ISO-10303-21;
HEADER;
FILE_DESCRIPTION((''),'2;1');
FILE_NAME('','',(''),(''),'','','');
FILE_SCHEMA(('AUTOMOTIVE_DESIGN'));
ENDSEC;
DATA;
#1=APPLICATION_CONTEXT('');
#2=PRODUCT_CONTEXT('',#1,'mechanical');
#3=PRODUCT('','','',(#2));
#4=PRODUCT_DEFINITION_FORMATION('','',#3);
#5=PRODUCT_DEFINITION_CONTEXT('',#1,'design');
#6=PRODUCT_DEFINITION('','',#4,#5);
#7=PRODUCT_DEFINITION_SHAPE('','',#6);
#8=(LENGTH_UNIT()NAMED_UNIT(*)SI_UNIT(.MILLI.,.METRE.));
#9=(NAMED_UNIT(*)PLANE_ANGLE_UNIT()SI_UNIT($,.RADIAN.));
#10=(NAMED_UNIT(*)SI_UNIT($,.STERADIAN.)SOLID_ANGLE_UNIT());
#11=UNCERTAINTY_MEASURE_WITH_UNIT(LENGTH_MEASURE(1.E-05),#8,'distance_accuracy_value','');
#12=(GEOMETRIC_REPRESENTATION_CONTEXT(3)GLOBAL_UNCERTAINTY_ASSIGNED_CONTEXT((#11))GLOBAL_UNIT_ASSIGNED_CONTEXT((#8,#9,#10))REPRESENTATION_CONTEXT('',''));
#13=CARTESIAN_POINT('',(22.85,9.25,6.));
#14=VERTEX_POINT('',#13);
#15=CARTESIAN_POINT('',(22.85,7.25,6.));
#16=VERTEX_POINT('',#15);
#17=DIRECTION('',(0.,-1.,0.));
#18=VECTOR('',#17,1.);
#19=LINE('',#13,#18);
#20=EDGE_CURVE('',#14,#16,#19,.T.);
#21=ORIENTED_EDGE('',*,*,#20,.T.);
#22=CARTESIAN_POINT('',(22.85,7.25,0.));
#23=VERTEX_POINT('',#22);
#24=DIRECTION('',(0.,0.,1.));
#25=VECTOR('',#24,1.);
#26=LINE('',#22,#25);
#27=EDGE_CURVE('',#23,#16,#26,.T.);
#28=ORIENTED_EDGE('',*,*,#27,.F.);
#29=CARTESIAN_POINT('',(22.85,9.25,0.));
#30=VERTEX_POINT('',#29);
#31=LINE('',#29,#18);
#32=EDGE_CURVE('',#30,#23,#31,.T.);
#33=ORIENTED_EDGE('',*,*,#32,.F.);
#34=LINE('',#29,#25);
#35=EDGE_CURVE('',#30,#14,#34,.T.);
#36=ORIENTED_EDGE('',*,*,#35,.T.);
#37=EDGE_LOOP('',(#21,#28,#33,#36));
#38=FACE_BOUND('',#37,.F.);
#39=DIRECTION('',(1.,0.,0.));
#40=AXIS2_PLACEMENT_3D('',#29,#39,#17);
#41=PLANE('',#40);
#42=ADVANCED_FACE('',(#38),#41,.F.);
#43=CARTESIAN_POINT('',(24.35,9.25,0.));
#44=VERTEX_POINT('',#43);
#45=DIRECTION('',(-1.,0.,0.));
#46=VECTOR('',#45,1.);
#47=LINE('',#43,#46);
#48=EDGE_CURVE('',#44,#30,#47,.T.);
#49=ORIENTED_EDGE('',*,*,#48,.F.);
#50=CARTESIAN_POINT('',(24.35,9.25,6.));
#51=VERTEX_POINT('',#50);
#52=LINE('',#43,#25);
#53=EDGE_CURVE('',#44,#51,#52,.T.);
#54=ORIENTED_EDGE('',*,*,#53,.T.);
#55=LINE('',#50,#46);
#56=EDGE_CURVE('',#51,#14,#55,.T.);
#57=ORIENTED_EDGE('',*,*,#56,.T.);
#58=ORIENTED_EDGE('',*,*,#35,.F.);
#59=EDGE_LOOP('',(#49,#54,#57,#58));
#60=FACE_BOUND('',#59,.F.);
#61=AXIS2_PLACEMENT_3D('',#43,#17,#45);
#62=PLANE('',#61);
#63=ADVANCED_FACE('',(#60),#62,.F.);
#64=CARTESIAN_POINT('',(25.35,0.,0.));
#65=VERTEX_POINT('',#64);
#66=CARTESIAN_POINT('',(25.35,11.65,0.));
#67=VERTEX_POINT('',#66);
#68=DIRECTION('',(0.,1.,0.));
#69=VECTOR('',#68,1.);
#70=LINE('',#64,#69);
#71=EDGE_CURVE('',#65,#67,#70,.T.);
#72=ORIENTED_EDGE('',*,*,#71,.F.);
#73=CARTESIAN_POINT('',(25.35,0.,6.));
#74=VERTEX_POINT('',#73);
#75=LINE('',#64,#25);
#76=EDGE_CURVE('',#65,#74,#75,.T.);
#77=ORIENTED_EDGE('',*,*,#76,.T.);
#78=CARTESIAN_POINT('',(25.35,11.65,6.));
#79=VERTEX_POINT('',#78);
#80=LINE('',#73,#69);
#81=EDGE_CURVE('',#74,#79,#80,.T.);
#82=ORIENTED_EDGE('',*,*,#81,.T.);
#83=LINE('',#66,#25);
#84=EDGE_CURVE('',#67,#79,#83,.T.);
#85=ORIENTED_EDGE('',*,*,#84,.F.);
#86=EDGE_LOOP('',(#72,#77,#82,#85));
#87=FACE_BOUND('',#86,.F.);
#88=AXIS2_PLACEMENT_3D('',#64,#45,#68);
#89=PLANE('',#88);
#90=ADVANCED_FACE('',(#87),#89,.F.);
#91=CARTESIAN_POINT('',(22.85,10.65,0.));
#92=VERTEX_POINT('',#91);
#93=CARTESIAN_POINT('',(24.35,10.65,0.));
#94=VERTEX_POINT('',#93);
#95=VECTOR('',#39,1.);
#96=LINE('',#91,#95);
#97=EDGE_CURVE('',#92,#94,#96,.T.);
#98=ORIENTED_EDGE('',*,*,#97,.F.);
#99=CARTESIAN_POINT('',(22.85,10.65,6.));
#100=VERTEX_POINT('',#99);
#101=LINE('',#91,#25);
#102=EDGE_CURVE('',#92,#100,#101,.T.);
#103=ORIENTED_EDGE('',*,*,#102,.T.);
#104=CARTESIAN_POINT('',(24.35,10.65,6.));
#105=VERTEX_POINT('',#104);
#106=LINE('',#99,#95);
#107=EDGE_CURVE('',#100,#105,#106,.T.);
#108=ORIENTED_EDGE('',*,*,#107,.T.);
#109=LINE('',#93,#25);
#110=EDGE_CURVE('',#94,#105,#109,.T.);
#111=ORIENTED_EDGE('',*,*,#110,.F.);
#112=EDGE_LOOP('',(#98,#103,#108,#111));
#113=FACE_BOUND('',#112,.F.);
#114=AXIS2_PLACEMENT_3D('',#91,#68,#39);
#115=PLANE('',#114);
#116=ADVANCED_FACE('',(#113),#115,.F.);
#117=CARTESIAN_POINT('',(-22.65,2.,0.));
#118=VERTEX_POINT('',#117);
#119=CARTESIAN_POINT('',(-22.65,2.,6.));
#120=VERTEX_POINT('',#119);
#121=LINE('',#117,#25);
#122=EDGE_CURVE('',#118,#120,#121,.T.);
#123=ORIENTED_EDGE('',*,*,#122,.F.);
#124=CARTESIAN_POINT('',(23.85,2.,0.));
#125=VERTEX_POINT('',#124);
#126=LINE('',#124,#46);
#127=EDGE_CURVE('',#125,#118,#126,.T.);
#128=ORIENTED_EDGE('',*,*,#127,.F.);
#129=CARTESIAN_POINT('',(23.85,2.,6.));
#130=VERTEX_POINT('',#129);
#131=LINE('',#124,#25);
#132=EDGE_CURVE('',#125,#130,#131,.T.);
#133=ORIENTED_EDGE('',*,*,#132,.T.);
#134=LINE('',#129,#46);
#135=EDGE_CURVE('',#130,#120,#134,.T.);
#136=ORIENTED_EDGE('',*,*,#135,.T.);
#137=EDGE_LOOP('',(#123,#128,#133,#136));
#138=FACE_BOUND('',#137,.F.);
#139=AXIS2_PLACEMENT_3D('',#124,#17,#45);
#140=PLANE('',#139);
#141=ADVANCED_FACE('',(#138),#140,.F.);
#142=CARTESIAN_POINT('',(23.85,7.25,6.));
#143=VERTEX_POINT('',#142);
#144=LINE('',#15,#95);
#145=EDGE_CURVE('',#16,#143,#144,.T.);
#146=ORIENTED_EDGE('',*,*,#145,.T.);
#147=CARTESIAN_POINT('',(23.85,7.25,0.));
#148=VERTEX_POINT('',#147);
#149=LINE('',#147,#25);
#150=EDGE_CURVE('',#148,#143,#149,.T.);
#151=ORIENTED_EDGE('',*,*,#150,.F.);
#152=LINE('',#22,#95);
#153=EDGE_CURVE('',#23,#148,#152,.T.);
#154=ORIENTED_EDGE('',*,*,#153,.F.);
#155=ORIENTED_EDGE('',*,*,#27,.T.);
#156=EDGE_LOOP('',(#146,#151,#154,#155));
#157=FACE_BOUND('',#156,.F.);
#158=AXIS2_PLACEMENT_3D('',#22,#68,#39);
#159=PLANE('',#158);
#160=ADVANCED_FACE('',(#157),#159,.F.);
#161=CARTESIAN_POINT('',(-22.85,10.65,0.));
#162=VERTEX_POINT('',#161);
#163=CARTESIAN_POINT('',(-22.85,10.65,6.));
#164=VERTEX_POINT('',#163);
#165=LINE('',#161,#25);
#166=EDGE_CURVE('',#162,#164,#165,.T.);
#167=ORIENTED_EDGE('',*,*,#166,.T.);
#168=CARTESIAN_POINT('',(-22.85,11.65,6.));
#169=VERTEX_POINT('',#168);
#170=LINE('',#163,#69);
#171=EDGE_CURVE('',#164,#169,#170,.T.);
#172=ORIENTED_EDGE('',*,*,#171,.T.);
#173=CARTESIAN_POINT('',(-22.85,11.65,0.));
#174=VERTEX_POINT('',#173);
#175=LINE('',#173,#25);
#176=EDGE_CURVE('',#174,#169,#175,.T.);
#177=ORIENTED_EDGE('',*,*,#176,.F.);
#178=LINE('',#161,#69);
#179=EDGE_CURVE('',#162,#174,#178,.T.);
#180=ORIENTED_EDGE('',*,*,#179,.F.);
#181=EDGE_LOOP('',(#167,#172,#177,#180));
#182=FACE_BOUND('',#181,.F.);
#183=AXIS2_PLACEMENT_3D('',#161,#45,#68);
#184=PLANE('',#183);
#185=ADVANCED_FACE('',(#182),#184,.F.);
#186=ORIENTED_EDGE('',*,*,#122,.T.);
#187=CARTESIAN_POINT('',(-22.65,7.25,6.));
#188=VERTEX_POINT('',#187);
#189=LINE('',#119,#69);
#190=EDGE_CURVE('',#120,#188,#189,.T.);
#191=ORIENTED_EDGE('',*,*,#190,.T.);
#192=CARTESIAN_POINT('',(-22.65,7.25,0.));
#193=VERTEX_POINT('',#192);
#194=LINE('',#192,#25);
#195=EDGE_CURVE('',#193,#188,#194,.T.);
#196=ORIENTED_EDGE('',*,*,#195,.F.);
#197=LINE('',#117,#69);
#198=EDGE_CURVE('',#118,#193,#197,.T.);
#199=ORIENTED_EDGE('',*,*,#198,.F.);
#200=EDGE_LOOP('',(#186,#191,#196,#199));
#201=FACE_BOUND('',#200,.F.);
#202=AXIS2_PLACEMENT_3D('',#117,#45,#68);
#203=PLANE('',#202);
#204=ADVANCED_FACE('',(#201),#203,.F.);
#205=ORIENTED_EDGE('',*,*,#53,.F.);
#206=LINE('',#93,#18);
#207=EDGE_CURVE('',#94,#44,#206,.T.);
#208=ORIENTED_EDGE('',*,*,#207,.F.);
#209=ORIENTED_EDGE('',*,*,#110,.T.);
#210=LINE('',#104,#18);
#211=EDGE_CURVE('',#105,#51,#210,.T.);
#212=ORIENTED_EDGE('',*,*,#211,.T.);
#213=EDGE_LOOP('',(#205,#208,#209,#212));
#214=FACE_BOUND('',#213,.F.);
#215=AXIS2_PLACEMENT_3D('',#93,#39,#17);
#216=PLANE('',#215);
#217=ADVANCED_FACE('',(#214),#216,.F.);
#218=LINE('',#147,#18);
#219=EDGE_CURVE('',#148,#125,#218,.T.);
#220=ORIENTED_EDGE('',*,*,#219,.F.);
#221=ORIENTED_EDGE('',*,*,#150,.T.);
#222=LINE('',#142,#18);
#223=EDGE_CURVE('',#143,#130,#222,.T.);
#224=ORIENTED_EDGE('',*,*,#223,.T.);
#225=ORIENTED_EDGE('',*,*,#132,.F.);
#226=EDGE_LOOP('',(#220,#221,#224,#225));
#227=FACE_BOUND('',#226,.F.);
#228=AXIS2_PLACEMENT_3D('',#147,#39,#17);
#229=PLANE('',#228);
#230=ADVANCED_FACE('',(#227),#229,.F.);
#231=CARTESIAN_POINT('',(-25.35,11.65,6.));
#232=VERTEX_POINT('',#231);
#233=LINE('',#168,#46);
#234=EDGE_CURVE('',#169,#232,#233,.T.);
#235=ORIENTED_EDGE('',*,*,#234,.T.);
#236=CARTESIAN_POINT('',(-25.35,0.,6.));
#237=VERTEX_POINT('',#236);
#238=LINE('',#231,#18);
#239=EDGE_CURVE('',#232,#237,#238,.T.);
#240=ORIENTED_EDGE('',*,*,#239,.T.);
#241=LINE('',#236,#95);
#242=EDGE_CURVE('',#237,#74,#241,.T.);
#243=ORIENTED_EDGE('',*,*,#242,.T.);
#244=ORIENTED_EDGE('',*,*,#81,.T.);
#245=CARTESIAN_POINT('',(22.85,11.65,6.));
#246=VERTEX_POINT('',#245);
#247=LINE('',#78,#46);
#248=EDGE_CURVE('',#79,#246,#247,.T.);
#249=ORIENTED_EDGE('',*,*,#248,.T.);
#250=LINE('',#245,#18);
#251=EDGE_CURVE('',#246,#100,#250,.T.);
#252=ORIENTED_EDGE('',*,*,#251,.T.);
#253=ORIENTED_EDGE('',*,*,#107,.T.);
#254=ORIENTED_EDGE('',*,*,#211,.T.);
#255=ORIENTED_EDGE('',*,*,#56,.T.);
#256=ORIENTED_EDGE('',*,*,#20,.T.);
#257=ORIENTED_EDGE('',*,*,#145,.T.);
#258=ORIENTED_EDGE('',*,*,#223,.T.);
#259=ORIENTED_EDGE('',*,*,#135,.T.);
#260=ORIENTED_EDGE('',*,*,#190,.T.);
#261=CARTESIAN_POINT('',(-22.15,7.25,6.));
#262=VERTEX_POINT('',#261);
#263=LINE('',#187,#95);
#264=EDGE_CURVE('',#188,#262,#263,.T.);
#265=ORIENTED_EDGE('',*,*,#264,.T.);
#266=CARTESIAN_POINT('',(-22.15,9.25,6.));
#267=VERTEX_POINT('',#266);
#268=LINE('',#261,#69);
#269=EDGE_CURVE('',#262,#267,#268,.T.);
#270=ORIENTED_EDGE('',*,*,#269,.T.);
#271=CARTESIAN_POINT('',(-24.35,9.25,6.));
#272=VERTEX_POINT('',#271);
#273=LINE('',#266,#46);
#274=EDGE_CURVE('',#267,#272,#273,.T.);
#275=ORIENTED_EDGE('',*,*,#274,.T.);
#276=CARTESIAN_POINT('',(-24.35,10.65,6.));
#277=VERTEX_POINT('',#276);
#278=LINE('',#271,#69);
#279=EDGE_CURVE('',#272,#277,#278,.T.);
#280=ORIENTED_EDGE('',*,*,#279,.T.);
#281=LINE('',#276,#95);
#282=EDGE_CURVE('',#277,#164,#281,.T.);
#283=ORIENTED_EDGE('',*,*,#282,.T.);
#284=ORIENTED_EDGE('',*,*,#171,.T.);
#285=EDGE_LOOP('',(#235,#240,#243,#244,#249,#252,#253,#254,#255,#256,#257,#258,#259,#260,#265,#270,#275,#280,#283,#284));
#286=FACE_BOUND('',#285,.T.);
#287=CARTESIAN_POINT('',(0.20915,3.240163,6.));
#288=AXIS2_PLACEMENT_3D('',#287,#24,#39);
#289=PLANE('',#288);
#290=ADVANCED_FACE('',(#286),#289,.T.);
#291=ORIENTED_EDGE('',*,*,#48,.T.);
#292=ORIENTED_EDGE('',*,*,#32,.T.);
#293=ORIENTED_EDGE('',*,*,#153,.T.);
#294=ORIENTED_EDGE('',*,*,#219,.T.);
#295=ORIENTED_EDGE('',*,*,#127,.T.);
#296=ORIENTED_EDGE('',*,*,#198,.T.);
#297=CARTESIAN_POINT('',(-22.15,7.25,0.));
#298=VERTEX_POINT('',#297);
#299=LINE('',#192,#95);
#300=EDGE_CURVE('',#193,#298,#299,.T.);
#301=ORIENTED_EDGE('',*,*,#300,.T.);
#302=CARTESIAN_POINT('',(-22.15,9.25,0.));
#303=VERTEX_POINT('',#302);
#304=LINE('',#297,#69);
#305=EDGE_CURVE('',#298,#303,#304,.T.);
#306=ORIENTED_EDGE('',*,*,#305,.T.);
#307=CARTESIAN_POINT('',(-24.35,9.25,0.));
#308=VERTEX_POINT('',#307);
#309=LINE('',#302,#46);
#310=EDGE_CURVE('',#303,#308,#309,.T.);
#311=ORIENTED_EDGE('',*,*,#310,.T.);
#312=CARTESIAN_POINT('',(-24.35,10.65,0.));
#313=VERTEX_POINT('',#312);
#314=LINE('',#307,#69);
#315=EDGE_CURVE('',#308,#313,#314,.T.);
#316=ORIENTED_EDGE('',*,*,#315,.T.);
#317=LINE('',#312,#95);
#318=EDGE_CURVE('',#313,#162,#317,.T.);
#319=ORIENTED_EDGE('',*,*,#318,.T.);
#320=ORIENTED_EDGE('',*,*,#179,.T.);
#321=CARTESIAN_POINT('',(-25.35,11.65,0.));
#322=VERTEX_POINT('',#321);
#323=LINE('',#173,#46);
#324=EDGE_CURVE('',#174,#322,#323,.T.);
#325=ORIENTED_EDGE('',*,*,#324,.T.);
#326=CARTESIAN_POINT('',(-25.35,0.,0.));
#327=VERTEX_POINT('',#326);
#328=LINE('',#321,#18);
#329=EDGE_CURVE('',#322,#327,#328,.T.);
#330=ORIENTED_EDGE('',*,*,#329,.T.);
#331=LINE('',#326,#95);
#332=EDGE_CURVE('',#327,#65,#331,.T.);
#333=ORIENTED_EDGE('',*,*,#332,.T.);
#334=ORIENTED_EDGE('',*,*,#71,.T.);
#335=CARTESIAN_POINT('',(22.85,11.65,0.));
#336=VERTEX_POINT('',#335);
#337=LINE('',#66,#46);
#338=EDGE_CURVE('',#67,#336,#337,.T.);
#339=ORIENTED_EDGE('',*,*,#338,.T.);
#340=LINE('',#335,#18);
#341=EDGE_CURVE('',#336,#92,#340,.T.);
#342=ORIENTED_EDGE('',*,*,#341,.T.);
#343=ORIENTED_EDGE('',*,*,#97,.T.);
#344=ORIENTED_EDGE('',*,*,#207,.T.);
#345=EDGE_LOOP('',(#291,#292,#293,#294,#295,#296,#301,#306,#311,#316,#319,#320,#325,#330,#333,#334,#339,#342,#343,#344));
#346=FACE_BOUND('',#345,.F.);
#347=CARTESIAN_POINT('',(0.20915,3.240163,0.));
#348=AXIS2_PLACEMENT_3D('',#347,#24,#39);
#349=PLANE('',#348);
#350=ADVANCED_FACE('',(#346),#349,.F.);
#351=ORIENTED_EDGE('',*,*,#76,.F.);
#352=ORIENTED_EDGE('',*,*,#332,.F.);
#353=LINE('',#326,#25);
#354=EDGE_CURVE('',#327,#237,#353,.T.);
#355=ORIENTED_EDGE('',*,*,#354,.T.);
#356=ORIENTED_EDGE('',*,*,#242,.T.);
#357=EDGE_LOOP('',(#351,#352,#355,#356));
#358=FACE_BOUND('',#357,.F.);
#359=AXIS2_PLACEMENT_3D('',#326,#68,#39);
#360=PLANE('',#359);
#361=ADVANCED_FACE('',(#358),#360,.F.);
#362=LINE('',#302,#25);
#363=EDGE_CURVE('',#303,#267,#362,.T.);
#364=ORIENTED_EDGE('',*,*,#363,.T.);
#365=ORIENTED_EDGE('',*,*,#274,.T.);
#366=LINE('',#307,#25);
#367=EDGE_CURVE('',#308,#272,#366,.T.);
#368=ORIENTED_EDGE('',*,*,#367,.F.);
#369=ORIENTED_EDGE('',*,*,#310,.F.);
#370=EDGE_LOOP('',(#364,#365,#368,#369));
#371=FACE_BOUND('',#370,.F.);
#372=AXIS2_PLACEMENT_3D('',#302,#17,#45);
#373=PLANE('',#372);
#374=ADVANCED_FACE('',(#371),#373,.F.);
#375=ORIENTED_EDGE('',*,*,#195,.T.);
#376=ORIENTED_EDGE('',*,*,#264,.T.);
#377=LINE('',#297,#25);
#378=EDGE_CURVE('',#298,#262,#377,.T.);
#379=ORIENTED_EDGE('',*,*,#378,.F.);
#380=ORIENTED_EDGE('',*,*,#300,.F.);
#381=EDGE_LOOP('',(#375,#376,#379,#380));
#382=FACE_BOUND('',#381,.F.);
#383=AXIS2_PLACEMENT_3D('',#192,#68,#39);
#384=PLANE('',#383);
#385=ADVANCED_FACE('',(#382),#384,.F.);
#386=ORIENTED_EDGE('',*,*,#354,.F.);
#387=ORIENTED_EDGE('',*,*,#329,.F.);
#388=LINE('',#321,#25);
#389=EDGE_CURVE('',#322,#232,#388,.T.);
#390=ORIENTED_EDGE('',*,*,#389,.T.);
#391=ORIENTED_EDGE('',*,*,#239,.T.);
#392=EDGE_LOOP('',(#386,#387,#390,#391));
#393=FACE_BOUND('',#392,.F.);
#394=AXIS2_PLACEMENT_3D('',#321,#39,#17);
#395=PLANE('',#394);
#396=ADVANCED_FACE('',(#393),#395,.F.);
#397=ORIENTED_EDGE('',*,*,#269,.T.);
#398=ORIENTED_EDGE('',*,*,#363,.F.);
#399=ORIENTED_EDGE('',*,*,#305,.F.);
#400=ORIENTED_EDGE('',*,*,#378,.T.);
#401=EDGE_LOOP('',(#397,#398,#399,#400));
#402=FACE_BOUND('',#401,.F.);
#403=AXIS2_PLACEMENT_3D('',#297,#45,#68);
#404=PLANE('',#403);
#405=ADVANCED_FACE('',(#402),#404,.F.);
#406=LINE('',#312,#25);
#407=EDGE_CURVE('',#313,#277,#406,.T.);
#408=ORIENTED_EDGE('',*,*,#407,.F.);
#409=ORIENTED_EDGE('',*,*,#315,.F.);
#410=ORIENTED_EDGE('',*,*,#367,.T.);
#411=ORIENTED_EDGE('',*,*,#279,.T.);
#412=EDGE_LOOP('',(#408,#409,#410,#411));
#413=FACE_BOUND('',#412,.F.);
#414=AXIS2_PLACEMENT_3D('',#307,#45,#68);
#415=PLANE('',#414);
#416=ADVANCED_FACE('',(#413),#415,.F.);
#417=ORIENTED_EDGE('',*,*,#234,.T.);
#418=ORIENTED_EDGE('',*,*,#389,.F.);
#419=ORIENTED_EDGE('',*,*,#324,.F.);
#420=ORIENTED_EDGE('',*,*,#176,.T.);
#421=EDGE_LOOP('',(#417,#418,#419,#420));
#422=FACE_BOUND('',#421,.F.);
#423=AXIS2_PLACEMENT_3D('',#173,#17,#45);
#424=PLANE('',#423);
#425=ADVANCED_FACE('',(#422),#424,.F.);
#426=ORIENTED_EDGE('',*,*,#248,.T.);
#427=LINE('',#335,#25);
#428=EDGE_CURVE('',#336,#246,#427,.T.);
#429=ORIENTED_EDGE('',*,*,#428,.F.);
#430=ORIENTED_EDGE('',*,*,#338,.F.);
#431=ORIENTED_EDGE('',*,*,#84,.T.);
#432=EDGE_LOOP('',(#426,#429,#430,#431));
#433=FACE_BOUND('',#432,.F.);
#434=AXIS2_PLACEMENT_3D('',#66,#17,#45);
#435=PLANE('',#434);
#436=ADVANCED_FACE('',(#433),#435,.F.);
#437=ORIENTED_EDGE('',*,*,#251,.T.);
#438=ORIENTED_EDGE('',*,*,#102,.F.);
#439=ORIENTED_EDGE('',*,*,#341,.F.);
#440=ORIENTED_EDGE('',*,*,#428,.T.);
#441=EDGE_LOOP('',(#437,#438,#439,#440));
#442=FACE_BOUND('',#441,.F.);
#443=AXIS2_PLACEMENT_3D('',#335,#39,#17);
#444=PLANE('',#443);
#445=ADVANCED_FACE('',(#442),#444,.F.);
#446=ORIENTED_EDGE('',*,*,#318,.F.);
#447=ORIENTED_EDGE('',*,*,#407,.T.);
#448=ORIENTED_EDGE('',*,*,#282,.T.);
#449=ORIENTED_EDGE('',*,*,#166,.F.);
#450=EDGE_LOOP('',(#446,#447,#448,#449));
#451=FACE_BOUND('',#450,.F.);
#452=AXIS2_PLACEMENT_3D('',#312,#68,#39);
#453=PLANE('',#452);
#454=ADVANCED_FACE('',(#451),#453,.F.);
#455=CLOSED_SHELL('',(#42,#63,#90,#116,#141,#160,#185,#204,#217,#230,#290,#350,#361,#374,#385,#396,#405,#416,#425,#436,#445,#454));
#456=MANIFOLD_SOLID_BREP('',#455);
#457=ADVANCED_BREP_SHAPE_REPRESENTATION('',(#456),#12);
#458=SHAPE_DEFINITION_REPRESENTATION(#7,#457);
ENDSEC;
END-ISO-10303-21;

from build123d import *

# Parameters (mm, degrees)
F1_DEPTH = 6


with BuildPart() as f1:
    # F0 (on Top) → F1 (new body)
    with BuildSketch(Plane.XY):
        Polygon((-25.35, 11.65), (-25.35, 0), (25.35, 0), (25.35, 11.65), (22.85, 11.65), (22.85, 10.65), (24.35, 10.65), (24.35, 9.25), (22.85, 9.25), (22.85, 7.25), (23.85, 7.25), (23.85, 2), (-22.65, 2), (-22.65, 7.25), (-22.15, 7.25), (-22.15, 9.25), (-24.35, 9.25), (-24.35, 10.65), (-22.85, 10.65), (-22.85, 11.65), align=None)
    extrude(amount=F1_DEPTH)


solid = f1.part
